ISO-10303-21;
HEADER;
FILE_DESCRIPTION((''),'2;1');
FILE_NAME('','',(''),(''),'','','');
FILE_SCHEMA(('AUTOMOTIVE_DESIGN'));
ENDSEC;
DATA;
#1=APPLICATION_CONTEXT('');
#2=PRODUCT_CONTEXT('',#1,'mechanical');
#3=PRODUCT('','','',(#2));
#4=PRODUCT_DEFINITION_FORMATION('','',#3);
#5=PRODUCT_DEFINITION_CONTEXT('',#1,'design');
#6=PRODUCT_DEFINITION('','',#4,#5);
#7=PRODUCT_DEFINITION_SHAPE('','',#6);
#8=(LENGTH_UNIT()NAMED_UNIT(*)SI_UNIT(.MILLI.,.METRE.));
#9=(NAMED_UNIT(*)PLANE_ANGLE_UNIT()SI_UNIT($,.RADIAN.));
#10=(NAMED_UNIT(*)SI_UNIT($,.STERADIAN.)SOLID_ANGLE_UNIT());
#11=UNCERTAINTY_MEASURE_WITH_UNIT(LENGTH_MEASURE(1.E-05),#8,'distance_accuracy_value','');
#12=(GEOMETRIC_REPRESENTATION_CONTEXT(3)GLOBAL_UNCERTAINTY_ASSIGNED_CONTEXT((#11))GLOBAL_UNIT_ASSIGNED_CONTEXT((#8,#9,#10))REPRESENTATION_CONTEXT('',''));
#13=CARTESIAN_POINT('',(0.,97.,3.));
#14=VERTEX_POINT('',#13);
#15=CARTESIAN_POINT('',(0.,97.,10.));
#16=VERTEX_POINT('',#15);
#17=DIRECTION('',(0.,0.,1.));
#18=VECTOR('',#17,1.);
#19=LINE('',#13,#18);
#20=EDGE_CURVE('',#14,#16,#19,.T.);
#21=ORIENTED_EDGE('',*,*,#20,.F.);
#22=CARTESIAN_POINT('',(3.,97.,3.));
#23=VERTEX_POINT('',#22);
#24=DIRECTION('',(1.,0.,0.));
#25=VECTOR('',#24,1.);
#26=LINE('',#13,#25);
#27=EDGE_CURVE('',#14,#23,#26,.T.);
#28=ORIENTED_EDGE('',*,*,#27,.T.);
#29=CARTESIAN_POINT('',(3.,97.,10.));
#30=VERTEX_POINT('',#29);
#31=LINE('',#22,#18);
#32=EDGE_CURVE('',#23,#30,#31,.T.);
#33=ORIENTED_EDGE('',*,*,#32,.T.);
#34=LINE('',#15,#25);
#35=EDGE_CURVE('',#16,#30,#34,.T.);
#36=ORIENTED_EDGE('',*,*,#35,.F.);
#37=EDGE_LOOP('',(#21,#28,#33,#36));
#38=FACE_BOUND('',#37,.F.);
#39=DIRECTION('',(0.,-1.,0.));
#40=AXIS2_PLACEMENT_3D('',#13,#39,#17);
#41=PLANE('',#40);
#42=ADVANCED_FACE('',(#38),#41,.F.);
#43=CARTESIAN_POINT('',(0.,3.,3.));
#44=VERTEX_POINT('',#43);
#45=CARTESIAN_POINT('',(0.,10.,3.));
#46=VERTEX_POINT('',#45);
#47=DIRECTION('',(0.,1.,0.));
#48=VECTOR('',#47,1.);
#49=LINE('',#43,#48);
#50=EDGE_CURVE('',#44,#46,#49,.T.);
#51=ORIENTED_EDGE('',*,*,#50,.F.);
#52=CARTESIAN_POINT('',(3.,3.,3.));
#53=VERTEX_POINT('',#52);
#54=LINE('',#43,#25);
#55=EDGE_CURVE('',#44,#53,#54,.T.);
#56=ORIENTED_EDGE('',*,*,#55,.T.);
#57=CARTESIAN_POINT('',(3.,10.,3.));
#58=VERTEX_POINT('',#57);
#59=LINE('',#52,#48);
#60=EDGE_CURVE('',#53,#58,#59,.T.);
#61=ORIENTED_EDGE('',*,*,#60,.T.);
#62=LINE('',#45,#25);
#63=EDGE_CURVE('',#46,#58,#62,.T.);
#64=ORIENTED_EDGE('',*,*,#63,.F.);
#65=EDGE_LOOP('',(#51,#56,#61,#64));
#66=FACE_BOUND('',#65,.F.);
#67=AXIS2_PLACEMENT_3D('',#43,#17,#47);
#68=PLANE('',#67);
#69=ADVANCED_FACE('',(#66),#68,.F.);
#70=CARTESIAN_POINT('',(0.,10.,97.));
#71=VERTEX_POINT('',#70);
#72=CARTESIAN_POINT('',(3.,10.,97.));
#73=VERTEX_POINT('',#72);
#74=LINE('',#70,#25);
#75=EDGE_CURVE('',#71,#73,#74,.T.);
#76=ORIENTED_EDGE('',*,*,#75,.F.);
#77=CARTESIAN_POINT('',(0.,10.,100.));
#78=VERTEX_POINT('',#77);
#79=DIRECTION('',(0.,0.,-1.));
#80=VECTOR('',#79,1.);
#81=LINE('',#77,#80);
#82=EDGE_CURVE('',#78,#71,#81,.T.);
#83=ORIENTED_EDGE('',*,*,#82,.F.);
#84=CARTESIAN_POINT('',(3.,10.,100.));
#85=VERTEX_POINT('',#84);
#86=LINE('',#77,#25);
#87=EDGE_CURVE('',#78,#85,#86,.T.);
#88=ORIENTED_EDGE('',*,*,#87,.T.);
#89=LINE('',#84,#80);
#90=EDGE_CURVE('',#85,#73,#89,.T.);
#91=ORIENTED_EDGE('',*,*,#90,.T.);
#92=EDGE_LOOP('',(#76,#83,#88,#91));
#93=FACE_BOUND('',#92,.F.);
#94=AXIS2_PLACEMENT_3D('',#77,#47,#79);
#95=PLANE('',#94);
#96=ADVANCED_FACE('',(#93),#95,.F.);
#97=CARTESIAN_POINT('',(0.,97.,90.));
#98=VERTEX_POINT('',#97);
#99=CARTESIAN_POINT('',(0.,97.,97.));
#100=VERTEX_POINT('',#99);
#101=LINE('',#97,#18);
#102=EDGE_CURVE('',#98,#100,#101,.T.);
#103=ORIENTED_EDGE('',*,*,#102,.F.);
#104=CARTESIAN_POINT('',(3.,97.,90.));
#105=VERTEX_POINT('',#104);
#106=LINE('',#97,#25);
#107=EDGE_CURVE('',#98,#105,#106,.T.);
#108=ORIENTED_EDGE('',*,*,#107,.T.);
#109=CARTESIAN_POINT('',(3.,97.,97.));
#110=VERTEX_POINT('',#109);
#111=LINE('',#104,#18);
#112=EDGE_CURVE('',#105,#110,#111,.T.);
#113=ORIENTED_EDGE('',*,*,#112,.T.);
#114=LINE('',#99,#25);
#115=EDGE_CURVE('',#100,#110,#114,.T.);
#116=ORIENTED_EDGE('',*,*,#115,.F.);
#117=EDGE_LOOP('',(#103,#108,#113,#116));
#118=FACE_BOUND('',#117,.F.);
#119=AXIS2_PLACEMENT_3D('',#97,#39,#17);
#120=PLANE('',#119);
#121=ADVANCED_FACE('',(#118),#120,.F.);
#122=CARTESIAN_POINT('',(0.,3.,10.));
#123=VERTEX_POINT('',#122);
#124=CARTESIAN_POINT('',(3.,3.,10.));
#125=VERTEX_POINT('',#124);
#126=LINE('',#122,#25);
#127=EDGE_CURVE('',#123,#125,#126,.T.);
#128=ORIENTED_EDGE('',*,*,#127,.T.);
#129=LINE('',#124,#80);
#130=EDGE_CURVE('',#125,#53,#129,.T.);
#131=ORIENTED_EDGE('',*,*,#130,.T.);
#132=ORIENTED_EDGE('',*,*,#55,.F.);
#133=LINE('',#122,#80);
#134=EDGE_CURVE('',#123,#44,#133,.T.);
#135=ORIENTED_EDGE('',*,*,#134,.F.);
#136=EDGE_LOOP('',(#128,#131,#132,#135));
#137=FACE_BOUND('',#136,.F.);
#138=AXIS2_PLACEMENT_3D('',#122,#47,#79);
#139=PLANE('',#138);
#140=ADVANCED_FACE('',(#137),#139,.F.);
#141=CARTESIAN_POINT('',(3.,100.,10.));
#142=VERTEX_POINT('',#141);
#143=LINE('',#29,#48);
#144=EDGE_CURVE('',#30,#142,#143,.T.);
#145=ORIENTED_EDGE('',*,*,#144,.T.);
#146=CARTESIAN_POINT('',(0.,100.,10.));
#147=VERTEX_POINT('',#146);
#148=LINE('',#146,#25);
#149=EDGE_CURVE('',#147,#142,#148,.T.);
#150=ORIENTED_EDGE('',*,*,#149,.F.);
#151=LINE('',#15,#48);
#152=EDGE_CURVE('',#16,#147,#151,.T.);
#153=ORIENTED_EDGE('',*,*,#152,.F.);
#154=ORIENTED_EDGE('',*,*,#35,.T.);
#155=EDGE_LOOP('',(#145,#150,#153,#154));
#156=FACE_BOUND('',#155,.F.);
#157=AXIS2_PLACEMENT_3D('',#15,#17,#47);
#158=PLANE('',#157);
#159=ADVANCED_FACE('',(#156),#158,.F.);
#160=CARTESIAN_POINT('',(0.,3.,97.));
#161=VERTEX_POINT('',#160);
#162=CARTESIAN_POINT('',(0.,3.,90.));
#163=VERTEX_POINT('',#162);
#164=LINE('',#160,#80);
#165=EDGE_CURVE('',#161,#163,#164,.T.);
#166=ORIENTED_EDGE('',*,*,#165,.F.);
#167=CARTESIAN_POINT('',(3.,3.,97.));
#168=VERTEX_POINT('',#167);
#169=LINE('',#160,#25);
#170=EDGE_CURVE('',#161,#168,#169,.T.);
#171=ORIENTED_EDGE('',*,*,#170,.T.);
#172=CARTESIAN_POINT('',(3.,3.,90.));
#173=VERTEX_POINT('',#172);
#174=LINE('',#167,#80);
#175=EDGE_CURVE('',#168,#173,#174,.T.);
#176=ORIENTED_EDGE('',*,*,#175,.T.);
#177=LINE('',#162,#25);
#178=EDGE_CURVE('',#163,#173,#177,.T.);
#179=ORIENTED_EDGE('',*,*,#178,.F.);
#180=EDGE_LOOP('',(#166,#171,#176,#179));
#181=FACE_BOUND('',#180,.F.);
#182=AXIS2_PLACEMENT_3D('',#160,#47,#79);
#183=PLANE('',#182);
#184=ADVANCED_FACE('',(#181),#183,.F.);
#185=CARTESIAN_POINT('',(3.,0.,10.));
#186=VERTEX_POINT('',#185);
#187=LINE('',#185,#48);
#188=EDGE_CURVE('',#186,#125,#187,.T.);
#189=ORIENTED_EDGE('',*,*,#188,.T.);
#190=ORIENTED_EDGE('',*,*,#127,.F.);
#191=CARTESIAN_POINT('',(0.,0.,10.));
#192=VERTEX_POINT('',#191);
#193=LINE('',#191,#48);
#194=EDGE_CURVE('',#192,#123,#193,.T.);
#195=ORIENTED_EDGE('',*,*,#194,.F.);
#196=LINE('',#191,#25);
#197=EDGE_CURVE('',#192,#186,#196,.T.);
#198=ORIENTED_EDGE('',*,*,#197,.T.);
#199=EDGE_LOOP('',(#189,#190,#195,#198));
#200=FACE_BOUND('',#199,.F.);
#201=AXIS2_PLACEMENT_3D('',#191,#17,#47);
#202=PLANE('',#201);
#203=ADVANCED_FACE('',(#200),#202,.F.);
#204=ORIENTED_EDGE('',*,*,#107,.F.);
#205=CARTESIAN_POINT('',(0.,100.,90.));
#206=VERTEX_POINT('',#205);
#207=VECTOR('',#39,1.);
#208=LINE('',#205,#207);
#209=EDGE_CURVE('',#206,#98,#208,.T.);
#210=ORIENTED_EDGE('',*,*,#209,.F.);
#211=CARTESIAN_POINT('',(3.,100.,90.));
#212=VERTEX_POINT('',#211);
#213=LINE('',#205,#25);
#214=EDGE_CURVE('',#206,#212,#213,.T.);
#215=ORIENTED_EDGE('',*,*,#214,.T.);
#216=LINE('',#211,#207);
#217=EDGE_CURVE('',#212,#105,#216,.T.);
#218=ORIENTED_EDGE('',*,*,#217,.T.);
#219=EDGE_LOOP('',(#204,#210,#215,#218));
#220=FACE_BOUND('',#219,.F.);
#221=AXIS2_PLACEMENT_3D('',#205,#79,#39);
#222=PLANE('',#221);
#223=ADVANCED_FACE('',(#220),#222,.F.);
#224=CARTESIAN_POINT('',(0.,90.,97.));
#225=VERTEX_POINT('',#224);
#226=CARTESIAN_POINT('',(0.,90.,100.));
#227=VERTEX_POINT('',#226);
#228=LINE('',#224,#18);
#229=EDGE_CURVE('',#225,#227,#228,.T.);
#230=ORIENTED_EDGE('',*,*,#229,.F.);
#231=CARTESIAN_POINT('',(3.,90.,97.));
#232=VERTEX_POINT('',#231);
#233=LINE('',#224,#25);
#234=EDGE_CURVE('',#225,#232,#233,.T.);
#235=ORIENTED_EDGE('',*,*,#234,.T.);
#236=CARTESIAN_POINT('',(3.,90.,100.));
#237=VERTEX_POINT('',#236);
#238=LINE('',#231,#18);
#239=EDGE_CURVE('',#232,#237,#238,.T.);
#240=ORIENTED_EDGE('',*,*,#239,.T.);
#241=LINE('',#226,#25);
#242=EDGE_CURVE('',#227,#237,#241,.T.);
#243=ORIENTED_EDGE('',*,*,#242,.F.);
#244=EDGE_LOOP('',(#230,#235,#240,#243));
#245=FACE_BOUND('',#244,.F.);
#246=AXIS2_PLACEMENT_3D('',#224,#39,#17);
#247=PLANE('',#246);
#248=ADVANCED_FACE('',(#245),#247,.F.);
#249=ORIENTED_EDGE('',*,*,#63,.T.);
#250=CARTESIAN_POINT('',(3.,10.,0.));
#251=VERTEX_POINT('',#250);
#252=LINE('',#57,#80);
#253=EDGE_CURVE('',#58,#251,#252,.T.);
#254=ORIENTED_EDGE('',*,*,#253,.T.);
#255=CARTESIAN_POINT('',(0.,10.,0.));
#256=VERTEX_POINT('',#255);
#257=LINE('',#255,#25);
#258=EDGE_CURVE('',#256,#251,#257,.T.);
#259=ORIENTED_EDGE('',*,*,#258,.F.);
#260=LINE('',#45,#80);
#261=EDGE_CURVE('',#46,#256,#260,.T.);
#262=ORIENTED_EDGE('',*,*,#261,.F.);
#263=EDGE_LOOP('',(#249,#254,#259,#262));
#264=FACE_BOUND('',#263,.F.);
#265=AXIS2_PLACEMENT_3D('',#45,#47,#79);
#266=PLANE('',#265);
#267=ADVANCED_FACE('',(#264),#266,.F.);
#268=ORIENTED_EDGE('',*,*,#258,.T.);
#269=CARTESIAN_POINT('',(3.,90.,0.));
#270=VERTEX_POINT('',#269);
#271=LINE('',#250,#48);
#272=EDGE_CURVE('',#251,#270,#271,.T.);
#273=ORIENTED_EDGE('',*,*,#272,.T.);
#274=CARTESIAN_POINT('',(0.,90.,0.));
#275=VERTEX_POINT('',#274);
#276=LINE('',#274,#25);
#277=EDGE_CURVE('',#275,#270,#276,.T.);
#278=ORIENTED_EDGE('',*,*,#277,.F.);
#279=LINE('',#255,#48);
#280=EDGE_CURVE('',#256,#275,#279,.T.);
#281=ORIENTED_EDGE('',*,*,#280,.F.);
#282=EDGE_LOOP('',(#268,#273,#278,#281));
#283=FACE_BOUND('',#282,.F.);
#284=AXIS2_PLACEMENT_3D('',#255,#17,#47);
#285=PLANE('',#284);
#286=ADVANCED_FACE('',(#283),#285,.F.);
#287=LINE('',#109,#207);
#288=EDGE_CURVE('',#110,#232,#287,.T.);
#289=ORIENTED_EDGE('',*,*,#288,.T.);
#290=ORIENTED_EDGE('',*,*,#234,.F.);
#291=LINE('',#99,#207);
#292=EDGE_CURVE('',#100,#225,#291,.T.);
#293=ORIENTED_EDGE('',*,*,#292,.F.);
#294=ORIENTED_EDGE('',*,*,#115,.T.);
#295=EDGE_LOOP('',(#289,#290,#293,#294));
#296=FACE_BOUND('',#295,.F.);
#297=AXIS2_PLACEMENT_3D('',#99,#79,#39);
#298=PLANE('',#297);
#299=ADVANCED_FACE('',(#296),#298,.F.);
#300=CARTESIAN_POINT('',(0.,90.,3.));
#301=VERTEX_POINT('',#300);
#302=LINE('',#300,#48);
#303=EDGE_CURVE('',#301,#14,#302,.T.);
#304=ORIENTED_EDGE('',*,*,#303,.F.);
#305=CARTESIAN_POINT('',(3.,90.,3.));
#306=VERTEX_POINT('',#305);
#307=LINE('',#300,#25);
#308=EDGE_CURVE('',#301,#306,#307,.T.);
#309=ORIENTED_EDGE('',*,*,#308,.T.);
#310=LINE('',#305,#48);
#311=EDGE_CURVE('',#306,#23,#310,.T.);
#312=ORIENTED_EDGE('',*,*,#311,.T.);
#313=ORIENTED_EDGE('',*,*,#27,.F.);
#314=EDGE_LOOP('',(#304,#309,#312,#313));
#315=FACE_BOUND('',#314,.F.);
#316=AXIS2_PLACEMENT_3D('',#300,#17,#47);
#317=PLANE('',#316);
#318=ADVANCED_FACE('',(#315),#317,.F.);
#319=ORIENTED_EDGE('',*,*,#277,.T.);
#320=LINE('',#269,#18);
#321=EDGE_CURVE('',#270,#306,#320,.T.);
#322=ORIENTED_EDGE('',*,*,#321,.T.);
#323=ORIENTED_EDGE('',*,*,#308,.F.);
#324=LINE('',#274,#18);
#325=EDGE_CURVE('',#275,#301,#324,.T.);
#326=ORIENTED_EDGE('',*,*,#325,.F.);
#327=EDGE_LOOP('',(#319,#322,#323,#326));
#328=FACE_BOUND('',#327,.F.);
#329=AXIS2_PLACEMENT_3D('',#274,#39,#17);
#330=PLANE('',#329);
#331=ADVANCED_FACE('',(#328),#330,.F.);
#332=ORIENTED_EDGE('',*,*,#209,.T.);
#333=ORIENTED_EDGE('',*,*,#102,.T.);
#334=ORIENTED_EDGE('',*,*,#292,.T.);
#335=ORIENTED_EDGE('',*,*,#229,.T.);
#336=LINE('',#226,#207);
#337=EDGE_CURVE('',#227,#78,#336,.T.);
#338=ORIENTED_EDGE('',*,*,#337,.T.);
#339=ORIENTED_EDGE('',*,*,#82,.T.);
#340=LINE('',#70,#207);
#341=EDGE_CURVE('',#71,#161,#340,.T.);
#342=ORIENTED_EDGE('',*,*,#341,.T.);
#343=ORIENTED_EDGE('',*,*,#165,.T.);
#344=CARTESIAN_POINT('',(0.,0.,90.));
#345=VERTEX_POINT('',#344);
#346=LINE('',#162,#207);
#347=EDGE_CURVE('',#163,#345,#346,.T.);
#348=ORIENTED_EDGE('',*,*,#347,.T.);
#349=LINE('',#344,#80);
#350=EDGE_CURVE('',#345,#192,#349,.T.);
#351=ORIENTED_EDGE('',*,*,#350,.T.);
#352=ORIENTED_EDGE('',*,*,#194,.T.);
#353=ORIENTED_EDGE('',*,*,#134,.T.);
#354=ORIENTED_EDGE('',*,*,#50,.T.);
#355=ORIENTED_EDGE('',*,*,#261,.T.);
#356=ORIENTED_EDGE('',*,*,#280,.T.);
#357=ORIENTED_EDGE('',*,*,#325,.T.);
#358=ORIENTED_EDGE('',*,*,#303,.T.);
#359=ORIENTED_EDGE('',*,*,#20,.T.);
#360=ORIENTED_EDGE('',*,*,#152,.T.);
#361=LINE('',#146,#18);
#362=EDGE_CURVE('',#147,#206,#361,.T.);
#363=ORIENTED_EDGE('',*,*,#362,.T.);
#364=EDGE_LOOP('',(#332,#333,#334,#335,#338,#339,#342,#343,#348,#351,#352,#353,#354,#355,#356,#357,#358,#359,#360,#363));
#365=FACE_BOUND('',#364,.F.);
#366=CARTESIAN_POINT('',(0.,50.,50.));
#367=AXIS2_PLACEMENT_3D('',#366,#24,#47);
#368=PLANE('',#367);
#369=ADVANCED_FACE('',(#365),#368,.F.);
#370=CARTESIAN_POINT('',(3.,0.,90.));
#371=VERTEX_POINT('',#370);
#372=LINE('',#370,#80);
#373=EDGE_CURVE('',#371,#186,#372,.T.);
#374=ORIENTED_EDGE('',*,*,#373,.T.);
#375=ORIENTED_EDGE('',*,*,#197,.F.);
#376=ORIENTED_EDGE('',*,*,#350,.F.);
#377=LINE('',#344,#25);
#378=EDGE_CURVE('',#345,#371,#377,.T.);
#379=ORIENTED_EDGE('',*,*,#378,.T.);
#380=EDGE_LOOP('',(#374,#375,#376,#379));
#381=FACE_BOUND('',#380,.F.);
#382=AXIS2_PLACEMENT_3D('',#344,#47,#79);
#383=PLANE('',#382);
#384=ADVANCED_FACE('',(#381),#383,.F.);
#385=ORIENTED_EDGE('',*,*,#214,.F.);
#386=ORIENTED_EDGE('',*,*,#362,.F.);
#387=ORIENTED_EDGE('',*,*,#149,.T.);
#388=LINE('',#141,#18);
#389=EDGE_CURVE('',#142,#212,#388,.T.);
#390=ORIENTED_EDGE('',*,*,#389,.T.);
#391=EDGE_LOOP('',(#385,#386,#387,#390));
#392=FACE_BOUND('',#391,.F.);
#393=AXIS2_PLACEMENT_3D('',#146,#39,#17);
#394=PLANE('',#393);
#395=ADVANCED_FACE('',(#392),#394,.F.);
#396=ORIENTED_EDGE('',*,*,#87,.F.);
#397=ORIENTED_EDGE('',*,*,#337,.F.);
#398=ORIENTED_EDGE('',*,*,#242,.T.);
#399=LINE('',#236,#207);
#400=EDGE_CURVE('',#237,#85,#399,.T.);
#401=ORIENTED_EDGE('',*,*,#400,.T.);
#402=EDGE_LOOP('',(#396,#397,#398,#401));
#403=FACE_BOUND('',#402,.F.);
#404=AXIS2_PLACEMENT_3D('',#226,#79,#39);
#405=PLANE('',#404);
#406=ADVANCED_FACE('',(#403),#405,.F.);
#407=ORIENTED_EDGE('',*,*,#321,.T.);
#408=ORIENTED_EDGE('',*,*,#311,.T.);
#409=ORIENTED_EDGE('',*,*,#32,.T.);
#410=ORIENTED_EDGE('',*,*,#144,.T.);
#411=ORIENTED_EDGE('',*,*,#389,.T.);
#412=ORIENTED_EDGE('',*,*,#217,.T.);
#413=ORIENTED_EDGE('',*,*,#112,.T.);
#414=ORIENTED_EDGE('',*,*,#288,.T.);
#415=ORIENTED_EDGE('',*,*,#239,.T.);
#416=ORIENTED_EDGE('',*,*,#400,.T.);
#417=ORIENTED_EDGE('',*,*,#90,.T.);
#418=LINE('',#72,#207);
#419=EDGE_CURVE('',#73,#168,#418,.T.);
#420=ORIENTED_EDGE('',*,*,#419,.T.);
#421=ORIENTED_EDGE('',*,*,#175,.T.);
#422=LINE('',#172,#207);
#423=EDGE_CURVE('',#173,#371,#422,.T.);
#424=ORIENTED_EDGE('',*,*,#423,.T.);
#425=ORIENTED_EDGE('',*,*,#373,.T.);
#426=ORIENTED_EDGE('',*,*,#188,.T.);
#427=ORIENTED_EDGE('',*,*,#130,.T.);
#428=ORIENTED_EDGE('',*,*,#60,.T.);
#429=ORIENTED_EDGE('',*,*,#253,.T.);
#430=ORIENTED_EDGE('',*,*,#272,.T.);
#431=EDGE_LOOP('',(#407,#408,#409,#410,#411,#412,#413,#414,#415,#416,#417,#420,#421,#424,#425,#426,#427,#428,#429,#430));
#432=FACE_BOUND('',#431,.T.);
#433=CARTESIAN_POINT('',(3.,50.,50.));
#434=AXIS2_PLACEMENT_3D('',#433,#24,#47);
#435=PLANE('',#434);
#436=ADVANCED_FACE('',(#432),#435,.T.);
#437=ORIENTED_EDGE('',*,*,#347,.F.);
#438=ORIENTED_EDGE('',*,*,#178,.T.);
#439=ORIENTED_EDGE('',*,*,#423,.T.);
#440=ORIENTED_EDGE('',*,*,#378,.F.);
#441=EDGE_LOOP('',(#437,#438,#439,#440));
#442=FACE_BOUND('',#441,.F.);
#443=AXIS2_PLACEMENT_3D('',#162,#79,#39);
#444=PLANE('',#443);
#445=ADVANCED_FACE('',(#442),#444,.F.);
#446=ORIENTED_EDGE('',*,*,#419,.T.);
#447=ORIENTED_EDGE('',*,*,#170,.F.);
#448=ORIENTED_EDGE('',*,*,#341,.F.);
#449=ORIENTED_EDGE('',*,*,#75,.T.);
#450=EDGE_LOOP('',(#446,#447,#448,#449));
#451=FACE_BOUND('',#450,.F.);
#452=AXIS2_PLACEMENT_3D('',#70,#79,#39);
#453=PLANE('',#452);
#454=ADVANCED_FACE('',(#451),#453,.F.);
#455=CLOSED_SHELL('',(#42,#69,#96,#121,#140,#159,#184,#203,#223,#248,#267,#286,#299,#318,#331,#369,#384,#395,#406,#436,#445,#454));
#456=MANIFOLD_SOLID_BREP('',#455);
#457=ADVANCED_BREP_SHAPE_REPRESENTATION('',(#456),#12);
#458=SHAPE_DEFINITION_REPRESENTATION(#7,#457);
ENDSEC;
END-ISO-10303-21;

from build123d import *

# Parameters (mm, degrees)
F1_DEPTH = 3


with BuildPart() as f1:
    # F0 (on Right) → F1 (new body)
    with BuildSketch(Plane.YZ):
        Polygon((10, 3), (10, 0), (90, 0), (90, 3), (97, 3), (97, 10), (100, 10), (100, 90), (97, 90), (97, 97), (90, 97), (90, 100), (10, 100), (10, 97), (3, 97), (3, 90), (0, 90), (0, 10), (3, 10), (3, 3), align=None)
    extrude(amount=F1_DEPTH)


solid = f1.part
